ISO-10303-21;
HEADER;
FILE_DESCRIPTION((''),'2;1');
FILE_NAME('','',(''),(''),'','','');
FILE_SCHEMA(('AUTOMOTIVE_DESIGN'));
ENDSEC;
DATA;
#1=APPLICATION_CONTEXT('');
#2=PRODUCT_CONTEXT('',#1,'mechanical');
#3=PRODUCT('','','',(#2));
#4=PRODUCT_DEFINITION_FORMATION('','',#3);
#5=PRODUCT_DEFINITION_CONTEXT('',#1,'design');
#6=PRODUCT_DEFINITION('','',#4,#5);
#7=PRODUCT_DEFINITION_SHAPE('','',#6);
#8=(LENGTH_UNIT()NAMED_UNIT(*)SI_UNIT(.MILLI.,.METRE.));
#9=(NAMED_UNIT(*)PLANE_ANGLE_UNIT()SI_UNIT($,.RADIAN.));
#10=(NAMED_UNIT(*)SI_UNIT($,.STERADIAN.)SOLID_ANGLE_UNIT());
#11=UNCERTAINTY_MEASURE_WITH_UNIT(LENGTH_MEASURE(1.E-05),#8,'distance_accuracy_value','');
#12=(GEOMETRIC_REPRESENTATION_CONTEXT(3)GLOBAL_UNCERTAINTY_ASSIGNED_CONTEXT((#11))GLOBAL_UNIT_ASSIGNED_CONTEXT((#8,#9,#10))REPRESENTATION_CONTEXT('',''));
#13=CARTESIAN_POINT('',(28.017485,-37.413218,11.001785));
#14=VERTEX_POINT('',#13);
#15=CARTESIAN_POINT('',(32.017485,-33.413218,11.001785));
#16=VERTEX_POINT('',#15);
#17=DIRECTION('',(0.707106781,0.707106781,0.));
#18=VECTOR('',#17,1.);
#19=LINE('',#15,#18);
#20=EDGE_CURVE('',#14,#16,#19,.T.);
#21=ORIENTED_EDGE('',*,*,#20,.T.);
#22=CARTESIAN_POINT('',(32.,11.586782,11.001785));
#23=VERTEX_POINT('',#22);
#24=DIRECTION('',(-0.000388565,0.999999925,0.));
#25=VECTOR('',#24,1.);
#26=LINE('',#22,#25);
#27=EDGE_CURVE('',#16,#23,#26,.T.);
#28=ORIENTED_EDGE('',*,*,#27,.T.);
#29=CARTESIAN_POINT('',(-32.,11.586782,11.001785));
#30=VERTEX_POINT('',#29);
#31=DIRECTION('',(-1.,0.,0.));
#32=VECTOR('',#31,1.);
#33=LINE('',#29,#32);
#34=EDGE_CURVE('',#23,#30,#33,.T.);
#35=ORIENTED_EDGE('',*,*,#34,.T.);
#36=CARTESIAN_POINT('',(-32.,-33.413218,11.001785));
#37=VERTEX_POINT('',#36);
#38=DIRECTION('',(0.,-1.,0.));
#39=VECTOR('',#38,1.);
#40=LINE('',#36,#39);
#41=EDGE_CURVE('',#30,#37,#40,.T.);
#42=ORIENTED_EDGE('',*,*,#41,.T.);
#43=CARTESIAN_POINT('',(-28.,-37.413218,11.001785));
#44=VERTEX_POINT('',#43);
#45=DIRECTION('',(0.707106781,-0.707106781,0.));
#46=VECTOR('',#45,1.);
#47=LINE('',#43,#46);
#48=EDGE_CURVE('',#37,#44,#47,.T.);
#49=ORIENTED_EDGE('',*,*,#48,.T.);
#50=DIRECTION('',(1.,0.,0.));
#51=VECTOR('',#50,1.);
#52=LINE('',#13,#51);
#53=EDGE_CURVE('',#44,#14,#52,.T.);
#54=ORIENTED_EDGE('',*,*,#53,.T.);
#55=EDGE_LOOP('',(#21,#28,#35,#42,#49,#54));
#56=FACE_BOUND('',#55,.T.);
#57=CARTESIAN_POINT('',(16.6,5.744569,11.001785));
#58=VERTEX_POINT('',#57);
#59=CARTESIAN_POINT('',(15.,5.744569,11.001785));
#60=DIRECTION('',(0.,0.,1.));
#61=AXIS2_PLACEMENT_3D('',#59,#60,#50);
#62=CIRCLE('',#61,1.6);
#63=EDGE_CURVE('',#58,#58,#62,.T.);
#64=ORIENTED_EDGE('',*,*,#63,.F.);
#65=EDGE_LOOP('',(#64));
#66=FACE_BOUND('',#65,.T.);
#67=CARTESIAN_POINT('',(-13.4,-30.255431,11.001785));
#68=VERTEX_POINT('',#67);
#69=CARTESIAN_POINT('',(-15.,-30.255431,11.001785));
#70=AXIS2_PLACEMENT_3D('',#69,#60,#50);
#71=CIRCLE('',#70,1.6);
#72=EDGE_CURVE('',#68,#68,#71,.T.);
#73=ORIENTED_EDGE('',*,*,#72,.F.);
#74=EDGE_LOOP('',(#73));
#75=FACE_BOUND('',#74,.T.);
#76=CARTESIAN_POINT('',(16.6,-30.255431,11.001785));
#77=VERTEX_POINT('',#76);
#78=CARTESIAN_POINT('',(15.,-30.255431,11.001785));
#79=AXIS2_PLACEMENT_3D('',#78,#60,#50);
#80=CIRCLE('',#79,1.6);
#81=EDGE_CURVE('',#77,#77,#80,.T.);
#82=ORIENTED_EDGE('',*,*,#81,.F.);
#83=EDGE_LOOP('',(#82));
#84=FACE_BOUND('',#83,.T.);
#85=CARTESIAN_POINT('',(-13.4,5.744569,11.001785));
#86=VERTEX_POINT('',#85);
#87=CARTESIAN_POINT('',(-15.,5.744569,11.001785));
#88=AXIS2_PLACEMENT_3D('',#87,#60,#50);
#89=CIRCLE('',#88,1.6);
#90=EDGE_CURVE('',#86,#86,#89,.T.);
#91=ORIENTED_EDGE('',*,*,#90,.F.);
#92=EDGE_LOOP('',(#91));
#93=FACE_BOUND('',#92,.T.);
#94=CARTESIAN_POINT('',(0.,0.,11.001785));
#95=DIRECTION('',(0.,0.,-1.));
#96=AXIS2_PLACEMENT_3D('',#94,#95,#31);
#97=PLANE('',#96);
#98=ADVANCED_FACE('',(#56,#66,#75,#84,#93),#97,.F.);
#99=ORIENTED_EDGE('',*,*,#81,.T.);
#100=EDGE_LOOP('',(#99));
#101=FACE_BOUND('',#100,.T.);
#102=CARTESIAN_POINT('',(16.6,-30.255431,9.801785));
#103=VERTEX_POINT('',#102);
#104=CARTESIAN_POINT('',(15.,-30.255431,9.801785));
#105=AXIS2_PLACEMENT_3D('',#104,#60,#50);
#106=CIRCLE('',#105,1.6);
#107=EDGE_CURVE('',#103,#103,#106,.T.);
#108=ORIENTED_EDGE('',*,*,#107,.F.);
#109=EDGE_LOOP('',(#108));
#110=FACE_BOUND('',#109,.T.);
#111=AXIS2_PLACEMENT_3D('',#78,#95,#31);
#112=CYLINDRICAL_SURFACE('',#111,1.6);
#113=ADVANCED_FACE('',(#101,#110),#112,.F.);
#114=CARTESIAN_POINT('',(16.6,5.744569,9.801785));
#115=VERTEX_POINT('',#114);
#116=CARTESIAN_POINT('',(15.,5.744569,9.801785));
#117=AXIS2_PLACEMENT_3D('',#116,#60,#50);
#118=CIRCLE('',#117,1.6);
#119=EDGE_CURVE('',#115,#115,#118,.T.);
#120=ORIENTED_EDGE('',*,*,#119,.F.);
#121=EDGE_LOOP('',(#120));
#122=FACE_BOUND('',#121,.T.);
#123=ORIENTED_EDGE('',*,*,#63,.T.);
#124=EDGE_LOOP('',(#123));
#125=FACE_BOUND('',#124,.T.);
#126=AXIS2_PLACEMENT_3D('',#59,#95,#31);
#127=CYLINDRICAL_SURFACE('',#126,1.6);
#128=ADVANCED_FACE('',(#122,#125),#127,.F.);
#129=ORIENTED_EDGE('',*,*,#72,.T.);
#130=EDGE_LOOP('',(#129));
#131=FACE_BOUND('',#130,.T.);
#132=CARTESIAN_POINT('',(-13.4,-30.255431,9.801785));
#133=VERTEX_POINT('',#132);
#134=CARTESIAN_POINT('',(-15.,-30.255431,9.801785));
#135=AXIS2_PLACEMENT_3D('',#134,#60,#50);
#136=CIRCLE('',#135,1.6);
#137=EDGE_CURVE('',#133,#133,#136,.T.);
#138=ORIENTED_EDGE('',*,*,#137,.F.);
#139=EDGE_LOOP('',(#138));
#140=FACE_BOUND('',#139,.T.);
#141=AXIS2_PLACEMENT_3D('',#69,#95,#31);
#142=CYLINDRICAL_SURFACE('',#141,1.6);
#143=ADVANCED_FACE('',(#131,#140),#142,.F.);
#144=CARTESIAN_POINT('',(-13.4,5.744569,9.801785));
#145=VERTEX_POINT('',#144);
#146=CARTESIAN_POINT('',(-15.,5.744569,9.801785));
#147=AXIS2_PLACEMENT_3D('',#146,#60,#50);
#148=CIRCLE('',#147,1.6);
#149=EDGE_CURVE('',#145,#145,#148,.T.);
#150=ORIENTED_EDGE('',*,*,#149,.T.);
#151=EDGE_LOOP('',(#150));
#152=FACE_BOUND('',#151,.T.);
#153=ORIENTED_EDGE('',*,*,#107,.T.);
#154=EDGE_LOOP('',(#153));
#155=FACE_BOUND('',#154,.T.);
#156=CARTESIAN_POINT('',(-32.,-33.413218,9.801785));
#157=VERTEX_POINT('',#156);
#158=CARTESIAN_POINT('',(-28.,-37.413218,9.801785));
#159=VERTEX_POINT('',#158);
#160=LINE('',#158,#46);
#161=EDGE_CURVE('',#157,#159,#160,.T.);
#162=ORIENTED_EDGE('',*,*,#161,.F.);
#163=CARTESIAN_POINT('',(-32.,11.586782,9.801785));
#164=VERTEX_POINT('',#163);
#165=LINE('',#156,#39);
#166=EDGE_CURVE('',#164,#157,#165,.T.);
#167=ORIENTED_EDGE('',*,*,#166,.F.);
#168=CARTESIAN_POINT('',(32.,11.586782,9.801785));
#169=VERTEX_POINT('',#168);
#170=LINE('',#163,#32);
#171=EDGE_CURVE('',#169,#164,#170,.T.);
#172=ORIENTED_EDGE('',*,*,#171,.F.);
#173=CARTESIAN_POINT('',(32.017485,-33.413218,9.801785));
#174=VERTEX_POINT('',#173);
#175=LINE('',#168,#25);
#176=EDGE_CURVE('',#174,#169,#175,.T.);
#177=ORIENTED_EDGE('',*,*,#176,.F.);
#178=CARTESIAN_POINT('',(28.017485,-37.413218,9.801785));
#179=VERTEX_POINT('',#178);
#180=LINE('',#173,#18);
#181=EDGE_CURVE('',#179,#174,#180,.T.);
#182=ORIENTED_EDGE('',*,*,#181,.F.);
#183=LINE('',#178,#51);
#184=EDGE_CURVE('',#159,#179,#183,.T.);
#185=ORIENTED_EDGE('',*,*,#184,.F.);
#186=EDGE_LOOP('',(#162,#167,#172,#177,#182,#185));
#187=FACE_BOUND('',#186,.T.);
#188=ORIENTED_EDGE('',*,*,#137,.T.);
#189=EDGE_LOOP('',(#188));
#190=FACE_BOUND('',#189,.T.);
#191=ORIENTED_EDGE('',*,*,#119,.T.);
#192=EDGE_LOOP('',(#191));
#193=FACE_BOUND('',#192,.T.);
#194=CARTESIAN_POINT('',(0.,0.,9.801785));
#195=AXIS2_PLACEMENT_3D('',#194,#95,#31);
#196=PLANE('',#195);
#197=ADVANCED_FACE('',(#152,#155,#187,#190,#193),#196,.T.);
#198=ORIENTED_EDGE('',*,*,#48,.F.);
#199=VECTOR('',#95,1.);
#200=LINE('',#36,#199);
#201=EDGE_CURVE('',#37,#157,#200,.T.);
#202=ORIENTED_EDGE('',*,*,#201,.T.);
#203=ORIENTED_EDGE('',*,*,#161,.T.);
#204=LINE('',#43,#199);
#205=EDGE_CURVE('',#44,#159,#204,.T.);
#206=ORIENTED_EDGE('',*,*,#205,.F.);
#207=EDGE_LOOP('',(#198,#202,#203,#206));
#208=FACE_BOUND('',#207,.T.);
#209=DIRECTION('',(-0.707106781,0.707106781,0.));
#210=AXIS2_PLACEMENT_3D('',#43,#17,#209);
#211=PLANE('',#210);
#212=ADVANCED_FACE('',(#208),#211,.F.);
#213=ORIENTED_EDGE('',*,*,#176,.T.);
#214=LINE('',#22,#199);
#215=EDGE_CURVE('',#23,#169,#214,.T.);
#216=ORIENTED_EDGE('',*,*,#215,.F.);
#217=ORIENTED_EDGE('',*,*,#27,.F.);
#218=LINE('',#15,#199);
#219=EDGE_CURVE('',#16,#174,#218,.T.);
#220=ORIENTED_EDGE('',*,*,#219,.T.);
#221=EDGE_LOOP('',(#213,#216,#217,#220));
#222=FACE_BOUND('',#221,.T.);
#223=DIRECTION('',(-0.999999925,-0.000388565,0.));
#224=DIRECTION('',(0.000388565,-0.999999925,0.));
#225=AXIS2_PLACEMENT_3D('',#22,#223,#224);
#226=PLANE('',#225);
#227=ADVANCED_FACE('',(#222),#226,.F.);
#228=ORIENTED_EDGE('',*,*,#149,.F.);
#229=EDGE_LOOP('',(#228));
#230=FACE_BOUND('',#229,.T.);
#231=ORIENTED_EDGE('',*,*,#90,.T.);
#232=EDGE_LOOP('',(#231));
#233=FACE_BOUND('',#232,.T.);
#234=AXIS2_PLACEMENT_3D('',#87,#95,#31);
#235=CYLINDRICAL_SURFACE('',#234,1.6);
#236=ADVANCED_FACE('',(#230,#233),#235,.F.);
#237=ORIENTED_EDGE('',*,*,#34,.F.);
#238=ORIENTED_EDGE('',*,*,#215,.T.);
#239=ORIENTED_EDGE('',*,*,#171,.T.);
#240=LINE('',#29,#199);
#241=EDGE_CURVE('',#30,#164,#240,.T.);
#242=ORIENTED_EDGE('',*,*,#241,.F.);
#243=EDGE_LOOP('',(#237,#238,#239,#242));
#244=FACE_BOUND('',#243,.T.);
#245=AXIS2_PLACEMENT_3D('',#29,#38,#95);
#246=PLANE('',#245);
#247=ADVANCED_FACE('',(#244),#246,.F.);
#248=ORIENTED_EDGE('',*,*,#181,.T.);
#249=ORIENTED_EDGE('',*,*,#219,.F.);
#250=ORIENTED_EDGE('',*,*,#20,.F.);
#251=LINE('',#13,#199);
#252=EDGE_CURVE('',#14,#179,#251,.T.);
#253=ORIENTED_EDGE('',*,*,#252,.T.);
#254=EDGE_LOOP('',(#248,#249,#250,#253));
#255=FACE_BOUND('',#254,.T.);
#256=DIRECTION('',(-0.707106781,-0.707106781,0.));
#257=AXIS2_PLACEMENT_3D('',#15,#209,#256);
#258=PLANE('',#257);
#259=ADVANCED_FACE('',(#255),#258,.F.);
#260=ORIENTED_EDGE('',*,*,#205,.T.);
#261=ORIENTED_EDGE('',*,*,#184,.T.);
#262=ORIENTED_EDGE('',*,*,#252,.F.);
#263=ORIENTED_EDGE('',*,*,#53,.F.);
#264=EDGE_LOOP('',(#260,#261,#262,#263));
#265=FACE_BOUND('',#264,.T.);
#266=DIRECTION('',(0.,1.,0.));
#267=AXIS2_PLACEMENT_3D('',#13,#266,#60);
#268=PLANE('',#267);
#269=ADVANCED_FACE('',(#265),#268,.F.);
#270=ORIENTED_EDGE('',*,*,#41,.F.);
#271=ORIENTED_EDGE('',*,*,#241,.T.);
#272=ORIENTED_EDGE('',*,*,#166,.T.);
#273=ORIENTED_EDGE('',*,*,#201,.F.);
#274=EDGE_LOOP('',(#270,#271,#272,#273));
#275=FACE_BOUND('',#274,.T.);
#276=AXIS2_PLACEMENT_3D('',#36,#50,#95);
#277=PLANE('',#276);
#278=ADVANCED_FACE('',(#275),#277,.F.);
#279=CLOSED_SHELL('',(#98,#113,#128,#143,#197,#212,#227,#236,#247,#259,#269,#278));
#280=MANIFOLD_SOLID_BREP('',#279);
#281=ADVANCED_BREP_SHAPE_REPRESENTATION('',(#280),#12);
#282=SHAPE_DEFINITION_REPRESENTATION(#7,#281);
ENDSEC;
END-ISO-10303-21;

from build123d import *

# Parameters (mm, degrees)
SKETCH2_R           = 1.6
BOSS_EXTRUDE1_DEPTH = 1.2


with BuildPart() as part:
    # Sketch2 → Boss-Extrude1 (new body)
    with BuildSketch(Plane.XY.offset(9.801785136)):
        Polygon((-28, -37.413217807), (-32, -33.413217807), (-32, 11.586782193), (32, 11.586782193), (32.017485427, -33.413217807), (28.017485427, -37.413217807), align=None)
        with Locations((-15, 5.74456922)):
            Circle(SKETCH2_R, mode=Mode.SUBTRACT)
        with Locations((15, 5.74456922)):
            Circle(SKETCH2_R, mode=Mode.SUBTRACT)
        with Locations((-15, -30.25543078)):
            Circle(SKETCH2_R, mode=Mode.SUBTRACT)
        with Locations((15, -30.25543078)):
            Circle(SKETCH2_R, mode=Mode.SUBTRACT)
    extrude(amount=BOSS_EXTRUDE1_DEPTH)


solid = part.part
